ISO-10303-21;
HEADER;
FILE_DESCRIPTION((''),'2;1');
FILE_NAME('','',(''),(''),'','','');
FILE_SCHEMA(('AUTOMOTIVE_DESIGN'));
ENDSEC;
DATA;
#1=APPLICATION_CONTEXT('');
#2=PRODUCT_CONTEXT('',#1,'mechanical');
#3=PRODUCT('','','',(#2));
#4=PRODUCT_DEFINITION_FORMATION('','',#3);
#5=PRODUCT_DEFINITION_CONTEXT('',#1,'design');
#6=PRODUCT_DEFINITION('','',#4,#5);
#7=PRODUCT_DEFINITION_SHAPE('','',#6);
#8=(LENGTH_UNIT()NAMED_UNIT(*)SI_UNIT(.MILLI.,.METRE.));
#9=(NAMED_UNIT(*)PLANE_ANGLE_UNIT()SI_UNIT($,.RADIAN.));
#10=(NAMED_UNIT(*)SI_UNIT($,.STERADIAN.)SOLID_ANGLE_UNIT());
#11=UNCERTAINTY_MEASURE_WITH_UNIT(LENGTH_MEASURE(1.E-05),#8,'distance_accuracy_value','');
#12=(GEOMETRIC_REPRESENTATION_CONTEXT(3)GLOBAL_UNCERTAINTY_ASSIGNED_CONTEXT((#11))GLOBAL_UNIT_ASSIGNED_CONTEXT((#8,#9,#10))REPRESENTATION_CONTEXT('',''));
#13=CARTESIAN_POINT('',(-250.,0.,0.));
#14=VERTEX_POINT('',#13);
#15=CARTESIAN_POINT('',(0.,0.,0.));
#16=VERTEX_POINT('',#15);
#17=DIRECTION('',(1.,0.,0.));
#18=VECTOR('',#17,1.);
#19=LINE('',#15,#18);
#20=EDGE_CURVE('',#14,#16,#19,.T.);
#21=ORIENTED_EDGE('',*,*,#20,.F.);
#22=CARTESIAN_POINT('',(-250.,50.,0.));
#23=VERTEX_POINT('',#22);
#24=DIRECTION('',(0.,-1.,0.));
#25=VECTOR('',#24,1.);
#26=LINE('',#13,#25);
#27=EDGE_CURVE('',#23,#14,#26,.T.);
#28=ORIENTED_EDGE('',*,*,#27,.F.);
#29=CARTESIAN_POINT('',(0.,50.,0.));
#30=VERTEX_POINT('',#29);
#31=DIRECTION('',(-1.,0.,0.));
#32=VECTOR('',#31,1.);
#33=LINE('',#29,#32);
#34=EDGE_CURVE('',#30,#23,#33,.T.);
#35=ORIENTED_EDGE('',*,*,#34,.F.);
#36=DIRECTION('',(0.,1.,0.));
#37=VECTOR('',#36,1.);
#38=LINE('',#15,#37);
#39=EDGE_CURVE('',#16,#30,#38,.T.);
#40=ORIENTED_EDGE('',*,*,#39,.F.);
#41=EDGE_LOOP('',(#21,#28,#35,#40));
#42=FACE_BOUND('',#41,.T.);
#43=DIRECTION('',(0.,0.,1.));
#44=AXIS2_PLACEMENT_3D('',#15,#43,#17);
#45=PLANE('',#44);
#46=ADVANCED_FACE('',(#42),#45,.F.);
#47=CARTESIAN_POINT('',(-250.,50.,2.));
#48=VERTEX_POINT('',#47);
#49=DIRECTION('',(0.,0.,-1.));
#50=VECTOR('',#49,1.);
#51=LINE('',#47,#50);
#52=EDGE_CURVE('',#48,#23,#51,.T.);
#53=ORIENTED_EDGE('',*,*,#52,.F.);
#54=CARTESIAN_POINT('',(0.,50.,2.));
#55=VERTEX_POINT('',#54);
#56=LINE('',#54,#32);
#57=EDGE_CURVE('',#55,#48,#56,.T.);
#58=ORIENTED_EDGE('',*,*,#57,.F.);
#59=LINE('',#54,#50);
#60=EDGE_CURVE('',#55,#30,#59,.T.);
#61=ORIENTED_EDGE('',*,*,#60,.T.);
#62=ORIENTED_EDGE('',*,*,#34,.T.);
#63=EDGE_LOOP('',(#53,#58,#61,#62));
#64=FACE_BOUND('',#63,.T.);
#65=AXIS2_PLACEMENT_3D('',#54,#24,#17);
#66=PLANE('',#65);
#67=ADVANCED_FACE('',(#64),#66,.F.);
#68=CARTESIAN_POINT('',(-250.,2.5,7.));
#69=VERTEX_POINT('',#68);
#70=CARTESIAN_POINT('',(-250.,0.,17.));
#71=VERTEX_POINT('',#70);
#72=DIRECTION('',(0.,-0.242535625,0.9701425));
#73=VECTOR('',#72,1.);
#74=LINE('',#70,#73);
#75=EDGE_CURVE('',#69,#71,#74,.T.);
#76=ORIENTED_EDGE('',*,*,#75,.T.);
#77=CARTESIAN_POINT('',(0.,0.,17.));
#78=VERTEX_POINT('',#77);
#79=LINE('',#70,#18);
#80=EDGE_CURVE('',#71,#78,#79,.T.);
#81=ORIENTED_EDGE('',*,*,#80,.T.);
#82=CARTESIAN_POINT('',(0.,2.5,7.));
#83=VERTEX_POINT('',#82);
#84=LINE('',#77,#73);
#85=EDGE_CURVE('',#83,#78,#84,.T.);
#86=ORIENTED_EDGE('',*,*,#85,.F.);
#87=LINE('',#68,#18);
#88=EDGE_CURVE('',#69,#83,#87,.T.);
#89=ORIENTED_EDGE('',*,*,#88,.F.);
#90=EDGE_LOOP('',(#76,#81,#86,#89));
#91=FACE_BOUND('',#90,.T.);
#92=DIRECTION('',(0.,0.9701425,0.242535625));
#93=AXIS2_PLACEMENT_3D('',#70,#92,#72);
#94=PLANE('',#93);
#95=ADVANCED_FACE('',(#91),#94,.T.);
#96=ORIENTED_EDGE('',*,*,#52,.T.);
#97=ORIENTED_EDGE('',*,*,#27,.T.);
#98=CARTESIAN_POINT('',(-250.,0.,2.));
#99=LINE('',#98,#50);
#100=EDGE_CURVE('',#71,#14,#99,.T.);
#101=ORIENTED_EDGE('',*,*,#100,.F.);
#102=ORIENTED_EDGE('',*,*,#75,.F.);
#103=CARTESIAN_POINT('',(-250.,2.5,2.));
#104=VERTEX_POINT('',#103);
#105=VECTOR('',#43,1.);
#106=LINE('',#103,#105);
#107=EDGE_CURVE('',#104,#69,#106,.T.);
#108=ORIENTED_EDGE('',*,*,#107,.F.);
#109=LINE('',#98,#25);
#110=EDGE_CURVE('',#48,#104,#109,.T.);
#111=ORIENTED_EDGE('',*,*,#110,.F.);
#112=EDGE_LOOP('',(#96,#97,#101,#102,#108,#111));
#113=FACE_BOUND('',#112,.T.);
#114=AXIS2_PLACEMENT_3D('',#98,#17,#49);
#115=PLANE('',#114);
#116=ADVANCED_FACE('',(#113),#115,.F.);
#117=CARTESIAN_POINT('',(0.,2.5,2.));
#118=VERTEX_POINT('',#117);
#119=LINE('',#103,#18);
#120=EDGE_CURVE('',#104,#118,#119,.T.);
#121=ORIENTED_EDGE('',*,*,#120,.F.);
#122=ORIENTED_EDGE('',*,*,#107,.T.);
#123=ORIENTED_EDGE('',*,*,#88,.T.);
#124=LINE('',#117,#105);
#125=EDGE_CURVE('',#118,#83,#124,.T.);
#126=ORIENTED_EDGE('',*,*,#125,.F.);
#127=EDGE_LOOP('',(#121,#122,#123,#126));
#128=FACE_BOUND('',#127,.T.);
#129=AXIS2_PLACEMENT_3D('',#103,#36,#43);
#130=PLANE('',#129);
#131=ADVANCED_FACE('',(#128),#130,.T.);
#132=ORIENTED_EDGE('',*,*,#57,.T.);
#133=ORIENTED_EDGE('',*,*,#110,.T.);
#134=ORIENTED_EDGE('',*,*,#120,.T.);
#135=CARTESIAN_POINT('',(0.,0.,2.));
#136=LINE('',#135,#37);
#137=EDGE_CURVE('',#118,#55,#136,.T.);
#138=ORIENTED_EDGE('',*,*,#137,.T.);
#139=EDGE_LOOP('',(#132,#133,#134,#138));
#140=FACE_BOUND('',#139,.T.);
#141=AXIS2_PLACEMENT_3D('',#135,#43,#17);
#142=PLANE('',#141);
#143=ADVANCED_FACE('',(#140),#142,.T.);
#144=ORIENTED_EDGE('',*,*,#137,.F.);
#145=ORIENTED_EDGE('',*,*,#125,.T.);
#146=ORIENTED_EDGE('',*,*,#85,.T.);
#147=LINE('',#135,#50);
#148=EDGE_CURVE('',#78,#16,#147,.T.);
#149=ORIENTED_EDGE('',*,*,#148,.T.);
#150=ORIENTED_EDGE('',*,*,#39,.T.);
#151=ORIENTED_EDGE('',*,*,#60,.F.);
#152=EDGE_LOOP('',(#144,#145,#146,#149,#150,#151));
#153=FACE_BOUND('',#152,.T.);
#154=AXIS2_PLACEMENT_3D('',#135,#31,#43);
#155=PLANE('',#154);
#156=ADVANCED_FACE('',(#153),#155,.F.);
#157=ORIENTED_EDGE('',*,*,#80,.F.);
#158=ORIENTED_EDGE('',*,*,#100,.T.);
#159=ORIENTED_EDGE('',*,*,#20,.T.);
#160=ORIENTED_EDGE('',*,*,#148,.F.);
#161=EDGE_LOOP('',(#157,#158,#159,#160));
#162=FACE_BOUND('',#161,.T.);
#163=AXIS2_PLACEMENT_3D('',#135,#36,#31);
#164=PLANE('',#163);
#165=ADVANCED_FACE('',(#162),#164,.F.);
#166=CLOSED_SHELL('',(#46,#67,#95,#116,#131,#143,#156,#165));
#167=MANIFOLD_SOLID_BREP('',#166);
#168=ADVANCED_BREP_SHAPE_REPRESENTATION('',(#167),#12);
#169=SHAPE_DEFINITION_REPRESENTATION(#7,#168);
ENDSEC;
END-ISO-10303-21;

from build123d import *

# Parameters (mm, degrees)
ESQUISSE1_W        = 250
ESQUISSE1_H        = 50
BOSS_EXTRU_1_DEPTH = 2
BOSS_EXTRU_2_DEPTH = 250


with BuildPart() as part:
    # Esquisse1 → Boss.-Extru.1 (new body)
    with BuildSketch(Plane.XY):
        with Locations((-125, 25)):
            Rectangle(ESQUISSE1_W, ESQUISSE1_H)
    extrude(amount=BOSS_EXTRU_1_DEPTH)

    # Esquisse2 → Boss.-Extru.2 (add)
    with BuildSketch(Plane(origin=(0, 0, 0), x_dir=(0, 0, -1), z_dir=(1, 0, 0))):
        Polygon((-2, 0), (-17, 0), (-7, 2.5), (-2, 2.5), align=None)
    extrude(amount=-BOSS_EXTRU_2_DEPTH)


solid = part.part
